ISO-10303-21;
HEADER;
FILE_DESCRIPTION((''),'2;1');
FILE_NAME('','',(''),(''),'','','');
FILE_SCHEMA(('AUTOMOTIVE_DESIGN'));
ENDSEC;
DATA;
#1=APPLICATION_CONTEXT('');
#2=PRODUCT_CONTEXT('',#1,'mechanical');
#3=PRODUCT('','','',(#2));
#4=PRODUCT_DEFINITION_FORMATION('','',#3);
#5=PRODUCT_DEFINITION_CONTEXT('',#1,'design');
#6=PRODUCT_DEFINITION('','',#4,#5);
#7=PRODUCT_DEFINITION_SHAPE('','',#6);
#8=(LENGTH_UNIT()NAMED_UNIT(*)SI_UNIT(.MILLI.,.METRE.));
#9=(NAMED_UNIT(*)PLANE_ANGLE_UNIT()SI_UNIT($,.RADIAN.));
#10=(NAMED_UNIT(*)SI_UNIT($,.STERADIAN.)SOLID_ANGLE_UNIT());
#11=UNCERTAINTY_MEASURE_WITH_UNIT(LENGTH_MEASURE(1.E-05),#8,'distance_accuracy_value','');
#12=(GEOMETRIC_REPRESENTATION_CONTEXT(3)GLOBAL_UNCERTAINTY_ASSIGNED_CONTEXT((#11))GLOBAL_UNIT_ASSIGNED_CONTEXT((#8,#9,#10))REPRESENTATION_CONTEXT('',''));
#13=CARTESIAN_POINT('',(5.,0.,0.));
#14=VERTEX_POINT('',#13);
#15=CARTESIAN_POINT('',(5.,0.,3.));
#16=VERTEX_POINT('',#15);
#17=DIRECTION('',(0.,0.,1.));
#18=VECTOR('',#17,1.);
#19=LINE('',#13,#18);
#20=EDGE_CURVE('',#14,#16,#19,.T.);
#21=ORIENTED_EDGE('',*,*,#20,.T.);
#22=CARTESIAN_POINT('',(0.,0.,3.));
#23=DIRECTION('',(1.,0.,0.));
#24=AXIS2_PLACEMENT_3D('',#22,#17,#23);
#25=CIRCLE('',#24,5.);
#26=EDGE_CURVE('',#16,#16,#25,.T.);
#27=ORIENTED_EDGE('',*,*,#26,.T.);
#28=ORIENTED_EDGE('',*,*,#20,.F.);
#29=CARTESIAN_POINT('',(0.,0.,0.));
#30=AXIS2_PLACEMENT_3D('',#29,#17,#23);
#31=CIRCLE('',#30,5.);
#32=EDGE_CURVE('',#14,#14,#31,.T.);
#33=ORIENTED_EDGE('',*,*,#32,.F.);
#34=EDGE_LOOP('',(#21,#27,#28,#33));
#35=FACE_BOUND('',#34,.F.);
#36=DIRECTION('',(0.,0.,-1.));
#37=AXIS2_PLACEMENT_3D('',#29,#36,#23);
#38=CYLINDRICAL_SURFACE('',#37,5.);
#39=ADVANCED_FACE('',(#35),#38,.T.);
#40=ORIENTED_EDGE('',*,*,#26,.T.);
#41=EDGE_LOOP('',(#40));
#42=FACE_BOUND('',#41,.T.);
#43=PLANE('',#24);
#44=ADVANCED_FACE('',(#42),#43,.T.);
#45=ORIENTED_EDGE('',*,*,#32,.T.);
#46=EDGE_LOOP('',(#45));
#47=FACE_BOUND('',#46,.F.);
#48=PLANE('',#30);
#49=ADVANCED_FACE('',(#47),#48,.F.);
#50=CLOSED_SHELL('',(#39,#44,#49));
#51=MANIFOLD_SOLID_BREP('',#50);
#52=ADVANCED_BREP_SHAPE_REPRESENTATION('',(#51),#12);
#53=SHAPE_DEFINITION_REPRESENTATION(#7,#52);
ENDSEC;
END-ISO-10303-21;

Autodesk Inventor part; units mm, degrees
ref_plane "YZ Plane" through (0, 0, 0) normal (1, 0, 0) x (0, 1, 0)
ref_plane "XZ Plane" through (0, 0, 0) normal (0, 1, 0) x (-1, 0, 0)
ref_plane "XY Plane" through (0, 0, 0) normal (0, 0, 1) x (1, 0, 0)
sketch "Sketch1" plane through (0, 0, 0) normal (0, 0, 1) x (1, 0, 0)
  circle A0 centre (0, 0) radius 5
  dimension "d0" = 10
extrude "Extrusion1" add sketch "Sketch1" along normal blind 3
properties part number "electromagnet"
